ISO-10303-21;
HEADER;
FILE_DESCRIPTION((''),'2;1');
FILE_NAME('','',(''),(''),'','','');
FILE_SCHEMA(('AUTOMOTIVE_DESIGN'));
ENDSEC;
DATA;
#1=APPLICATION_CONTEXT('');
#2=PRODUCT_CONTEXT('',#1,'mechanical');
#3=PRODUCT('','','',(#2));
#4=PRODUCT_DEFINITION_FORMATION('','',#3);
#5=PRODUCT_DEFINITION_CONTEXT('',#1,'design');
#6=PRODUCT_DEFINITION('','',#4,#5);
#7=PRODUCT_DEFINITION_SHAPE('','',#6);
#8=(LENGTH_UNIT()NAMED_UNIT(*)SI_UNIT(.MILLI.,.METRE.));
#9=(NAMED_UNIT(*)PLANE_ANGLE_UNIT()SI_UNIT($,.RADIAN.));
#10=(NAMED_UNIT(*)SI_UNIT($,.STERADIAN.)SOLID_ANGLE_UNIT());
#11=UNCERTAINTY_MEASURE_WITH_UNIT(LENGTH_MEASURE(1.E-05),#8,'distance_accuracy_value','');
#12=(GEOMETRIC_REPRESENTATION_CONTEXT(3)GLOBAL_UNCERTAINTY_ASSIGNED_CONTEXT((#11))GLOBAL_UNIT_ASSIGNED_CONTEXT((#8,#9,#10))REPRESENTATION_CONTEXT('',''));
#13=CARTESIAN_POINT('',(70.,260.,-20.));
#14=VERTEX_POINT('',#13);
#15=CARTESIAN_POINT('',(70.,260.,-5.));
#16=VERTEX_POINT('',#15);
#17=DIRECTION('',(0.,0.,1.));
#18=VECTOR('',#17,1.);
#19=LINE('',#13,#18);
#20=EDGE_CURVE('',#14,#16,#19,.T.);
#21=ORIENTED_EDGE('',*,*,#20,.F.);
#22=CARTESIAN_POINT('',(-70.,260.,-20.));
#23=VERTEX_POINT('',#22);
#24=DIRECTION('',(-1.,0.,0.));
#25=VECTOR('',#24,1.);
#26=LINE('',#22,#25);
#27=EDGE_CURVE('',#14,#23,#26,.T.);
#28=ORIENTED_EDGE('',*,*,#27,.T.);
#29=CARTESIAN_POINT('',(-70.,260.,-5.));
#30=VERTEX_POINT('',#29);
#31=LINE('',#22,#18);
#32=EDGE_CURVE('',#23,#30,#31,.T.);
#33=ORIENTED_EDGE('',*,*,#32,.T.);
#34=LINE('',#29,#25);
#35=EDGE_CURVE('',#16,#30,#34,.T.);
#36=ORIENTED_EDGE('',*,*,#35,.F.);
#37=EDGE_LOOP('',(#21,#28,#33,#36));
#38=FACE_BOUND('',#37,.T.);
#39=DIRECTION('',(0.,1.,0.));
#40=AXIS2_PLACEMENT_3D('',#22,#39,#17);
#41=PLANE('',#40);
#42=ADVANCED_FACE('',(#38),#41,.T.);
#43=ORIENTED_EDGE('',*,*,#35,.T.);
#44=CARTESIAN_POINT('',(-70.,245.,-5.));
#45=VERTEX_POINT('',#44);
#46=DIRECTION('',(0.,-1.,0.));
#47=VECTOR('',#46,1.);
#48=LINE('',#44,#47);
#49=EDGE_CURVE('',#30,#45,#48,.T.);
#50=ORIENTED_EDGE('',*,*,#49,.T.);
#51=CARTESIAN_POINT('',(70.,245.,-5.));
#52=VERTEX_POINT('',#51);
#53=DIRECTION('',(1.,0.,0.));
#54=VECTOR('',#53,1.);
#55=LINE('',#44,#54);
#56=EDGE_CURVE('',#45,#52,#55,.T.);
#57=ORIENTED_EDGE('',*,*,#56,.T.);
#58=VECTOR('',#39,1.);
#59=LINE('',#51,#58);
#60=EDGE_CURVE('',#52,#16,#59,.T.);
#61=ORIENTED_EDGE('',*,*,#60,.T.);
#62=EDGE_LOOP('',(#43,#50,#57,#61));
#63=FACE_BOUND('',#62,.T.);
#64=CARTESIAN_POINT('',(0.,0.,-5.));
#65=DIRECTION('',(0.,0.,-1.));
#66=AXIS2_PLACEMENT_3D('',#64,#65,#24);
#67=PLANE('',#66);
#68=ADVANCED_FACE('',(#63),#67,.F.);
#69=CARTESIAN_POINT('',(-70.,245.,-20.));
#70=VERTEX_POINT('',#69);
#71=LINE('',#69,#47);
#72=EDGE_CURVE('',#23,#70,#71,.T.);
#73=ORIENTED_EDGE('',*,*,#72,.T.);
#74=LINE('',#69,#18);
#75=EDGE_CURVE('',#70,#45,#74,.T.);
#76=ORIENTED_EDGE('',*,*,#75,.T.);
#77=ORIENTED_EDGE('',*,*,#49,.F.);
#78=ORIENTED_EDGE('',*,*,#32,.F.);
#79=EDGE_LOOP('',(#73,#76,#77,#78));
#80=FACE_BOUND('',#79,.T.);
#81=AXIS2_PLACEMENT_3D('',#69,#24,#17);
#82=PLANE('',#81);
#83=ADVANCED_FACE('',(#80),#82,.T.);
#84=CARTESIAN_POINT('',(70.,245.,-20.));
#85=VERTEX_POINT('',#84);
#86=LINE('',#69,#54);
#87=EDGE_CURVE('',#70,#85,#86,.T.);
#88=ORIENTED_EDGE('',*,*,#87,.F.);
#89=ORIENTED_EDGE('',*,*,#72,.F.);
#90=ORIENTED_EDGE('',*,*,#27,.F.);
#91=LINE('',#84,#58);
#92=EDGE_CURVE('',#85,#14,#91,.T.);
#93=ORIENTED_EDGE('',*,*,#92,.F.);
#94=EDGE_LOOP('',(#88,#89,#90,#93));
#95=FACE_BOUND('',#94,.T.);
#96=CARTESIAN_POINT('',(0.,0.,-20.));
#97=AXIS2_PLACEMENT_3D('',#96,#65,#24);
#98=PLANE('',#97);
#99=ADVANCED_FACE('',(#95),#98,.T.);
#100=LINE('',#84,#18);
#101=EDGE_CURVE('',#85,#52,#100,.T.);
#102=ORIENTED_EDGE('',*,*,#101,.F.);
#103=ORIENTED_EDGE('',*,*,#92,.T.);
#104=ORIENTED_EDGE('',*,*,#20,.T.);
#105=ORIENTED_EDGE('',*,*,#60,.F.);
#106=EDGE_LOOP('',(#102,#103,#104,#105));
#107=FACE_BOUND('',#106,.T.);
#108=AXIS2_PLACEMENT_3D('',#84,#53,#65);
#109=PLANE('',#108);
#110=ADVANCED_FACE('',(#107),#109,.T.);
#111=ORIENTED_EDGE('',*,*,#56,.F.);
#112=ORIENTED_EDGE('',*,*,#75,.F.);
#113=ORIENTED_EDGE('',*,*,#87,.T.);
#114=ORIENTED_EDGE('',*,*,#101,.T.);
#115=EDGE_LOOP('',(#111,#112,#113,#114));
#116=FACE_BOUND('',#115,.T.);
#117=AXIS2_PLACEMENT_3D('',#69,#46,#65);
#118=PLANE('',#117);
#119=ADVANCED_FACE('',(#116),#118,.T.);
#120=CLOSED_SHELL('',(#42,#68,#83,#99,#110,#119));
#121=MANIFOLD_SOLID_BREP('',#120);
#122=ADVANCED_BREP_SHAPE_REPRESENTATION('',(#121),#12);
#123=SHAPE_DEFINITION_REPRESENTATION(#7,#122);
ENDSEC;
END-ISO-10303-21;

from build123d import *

# Parameters (mm, degrees)
KAPYAG_ON_CEKME_DUDAGI_1_START = -5
SKETCH1_W                      = 140
SKETCH1_H                      = 15
KAPYAG_ON_CEKME_DUDAGI_1_DEPTH = 15


with BuildPart() as part:
    # Sketch1 → KAPYAG_on_cekme_dudagi_1 (new body)
    with BuildSketch(Plane.XY.offset(KAPYAG_ON_CEKME_DUDAGI_1_START)):
        with Locations((0, 252.5)):
            Rectangle(SKETCH1_W, SKETCH1_H)
    extrude(amount=-KAPYAG_ON_CEKME_DUDAGI_1_DEPTH)


solid = part.part
